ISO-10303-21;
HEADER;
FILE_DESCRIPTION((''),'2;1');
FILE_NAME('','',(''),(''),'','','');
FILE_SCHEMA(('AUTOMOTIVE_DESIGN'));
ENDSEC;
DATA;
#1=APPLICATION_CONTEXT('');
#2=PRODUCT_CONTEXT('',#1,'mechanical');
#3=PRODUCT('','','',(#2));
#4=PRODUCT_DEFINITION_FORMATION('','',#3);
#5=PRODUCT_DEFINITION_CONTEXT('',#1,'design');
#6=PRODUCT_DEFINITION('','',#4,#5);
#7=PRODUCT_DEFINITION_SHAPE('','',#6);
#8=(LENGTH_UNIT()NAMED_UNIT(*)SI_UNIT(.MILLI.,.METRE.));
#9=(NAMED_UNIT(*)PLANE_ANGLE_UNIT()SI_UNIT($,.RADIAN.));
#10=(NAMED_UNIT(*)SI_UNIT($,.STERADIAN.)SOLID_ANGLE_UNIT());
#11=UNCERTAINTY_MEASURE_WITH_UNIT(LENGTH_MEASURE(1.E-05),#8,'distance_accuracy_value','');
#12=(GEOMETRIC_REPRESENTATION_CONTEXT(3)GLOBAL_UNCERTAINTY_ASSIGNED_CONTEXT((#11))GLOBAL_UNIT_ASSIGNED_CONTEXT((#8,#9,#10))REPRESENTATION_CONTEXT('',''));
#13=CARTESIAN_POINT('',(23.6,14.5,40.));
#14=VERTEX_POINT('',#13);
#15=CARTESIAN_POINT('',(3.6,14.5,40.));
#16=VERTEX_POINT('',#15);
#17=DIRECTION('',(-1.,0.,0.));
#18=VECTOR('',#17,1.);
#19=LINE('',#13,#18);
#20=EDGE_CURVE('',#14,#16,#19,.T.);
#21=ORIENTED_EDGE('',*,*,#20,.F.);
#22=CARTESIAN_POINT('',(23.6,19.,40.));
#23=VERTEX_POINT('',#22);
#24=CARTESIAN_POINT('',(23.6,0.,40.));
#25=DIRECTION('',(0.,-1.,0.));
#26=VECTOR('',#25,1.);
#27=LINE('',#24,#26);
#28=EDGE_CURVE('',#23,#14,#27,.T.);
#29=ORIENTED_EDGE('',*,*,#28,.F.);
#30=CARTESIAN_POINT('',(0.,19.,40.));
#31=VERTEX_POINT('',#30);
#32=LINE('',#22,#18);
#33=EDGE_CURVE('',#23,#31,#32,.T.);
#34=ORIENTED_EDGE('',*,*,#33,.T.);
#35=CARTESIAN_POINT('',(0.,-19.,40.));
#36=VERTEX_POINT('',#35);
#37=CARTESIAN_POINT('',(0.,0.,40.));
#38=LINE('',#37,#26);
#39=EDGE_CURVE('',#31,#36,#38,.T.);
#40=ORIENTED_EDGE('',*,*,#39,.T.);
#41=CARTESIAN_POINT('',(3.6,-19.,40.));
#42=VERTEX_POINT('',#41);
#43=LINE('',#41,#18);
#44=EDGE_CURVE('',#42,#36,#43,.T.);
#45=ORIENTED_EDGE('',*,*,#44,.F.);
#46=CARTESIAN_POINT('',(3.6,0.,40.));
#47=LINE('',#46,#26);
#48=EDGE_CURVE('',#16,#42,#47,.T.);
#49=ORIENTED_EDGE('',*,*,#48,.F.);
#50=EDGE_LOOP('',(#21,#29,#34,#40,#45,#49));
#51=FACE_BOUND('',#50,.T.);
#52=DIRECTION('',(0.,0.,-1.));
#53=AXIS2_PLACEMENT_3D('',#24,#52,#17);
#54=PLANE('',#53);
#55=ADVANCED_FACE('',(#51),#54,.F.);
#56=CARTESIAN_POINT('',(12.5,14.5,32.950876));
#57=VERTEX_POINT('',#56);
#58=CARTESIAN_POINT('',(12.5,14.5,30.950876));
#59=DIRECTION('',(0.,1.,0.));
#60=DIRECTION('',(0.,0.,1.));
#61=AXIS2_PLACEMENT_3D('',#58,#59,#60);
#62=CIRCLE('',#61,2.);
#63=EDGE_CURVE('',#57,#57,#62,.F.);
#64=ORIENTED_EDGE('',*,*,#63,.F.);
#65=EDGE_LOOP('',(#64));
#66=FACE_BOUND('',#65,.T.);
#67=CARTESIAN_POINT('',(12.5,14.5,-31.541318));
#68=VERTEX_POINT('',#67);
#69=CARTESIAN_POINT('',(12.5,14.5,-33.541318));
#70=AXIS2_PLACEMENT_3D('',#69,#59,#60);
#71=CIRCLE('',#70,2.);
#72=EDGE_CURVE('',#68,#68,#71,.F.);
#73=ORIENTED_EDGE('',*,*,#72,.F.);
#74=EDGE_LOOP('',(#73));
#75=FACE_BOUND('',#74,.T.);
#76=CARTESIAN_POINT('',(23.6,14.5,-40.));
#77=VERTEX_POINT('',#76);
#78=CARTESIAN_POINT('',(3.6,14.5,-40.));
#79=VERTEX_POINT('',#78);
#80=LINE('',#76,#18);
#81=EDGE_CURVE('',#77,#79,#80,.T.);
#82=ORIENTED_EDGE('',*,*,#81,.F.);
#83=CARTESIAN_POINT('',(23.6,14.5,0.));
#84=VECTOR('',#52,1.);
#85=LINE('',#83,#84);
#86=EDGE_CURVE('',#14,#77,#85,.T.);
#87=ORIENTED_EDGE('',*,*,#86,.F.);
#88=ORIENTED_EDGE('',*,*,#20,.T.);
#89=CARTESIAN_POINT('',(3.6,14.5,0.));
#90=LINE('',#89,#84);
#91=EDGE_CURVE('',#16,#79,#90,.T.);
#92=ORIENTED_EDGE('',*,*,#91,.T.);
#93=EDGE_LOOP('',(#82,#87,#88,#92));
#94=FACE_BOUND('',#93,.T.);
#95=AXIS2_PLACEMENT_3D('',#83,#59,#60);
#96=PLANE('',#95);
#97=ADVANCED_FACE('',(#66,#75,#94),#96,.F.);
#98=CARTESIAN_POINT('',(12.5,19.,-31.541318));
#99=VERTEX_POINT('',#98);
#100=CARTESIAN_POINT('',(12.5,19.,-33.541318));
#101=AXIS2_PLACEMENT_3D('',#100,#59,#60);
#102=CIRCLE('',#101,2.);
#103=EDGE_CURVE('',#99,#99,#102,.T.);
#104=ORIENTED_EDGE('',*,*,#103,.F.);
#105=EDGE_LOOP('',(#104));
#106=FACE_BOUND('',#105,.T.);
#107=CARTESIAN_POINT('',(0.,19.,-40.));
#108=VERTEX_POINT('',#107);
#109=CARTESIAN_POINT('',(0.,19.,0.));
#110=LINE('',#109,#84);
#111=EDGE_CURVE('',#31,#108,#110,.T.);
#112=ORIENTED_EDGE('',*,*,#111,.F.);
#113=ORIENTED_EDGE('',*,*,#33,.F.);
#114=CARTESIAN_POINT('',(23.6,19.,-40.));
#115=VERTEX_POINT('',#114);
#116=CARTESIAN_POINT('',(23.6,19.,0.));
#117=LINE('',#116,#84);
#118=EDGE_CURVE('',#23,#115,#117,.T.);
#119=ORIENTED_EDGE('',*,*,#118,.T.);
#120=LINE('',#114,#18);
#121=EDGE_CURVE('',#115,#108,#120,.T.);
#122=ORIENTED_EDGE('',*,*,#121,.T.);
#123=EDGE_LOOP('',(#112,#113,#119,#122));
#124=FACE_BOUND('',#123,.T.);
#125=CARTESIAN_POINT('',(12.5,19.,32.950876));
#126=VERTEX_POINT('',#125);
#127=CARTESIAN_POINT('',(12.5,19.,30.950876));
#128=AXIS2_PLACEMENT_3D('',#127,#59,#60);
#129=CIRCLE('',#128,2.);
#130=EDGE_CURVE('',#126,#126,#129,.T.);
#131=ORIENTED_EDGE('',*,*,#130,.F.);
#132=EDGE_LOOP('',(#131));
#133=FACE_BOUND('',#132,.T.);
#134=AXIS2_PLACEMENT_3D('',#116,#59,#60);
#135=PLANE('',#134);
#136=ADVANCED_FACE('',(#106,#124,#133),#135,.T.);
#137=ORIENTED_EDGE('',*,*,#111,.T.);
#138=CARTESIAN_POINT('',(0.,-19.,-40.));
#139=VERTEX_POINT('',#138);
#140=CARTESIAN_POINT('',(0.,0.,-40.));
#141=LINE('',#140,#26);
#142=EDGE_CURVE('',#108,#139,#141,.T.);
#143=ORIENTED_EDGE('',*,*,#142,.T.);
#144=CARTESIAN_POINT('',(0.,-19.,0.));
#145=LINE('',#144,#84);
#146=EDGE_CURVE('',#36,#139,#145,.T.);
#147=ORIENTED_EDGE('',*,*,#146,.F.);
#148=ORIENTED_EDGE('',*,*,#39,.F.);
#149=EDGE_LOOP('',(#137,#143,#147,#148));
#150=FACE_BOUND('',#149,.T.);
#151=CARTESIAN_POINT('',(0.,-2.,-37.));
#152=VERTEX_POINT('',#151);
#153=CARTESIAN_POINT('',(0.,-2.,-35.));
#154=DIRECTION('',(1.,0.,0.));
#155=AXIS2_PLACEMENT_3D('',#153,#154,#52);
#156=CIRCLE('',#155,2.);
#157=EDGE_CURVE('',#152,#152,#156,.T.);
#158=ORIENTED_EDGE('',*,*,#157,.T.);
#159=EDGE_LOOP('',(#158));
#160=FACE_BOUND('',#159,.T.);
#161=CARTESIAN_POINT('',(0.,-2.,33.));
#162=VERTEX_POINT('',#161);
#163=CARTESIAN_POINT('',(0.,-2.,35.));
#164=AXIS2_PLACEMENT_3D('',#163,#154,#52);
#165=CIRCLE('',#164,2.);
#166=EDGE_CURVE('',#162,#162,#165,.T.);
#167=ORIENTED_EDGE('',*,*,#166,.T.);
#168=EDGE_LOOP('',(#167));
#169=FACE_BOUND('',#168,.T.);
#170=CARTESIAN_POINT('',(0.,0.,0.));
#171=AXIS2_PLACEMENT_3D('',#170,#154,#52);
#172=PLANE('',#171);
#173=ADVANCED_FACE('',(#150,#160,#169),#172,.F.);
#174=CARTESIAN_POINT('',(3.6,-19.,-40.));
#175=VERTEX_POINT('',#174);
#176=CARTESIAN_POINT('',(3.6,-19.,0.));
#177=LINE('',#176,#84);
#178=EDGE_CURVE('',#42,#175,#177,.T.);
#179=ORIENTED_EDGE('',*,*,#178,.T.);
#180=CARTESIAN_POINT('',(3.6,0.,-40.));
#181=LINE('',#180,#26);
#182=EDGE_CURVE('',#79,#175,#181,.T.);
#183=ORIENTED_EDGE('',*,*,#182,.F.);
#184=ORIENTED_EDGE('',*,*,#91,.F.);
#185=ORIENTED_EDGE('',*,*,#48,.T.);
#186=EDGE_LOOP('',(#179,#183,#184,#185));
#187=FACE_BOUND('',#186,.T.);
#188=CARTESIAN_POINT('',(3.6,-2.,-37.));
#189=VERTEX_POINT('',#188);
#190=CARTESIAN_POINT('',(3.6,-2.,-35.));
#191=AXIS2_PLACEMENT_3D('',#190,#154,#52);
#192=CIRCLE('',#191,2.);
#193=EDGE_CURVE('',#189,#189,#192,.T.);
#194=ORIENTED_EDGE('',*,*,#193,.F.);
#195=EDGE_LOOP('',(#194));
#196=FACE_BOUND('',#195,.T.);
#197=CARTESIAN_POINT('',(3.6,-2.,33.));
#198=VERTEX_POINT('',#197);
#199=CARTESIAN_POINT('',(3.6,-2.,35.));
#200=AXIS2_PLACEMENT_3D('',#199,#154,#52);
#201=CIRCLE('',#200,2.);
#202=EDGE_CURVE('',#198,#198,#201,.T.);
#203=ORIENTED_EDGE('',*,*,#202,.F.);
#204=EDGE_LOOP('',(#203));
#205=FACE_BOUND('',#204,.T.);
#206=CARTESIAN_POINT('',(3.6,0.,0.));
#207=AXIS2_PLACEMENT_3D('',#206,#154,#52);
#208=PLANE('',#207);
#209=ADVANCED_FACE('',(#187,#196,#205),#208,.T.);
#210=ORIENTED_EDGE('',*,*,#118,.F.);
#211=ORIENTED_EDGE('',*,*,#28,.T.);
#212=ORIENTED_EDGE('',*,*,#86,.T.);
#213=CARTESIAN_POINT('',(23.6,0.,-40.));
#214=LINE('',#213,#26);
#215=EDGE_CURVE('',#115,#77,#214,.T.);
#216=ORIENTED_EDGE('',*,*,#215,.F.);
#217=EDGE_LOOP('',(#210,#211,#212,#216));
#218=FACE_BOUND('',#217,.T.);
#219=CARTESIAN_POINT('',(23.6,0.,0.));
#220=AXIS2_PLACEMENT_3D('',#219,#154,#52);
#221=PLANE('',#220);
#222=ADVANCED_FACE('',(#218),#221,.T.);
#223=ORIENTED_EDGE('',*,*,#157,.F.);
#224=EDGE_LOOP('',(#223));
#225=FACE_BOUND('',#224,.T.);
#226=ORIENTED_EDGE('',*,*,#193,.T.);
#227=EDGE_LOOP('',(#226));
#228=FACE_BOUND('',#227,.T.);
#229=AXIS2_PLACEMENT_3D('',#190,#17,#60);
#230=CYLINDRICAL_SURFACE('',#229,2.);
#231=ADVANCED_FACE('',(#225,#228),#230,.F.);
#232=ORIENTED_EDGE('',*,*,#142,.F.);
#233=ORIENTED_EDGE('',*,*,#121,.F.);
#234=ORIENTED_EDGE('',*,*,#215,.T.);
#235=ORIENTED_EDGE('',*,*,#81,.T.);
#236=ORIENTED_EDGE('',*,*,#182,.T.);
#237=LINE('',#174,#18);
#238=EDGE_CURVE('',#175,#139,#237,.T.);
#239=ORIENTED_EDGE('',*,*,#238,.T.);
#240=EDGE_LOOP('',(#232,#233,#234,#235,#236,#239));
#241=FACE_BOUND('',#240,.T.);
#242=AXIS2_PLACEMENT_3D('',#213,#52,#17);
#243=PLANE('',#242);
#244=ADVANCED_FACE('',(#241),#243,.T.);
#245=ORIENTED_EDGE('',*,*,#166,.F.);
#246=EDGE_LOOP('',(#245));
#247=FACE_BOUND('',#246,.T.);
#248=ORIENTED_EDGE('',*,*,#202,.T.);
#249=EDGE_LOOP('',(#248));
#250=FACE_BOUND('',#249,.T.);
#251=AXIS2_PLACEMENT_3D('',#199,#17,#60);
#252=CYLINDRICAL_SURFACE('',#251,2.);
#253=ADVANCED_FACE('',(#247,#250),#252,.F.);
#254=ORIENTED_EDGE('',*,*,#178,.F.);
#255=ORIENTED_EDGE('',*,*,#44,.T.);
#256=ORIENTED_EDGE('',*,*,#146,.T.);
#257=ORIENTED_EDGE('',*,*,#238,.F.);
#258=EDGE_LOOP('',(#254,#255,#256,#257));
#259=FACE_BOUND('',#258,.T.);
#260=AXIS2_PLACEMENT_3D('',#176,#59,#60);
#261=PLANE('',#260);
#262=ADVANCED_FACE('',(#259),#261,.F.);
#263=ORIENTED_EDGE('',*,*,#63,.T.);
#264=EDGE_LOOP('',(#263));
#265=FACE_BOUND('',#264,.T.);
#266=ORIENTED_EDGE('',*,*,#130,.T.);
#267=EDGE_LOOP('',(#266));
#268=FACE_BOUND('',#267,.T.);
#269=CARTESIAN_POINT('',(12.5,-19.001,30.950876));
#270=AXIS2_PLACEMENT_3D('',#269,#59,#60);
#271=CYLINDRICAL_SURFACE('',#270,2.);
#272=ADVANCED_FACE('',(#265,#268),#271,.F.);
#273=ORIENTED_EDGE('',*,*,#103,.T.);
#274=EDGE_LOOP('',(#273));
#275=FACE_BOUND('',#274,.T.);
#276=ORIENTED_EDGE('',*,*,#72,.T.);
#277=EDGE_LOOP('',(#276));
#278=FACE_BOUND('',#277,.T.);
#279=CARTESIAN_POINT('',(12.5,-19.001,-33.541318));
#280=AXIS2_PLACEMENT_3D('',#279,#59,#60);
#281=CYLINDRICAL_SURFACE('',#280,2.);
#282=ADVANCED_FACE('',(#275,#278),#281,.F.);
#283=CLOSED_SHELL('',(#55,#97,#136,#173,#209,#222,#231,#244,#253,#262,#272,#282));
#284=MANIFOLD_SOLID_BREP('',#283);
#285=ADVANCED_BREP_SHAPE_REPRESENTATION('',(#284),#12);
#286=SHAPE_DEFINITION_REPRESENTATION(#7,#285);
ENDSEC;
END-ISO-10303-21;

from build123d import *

# Parameters (mm, degrees)
SKETCH1_W           = 80
SKETCH1_H           = 4.5
BOSS_EXTRUDE1_DEPTH = 23.6
SKETCH1_4_W         = 80
SKETCH1_4_H         = 33.5
SKETCH1_4_R         = 2
BOSS_EXTRUDE2_DEPTH = 3.6
CUT_EXTRUDE1_REACH  = 62.008
SKETCH2_R           = 2


with BuildPart() as part:
    # Sketch1 → Boss-Extrude1 (new body)
    with BuildSketch(Plane(origin=(0, 0, 0), x_dir=(0, 0, -1), z_dir=(1, 0, 0))):
        with Locations((0, 16.75)):
            Rectangle(SKETCH1_W, SKETCH1_H)
    extrude(amount=BOSS_EXTRUDE1_DEPTH)

    # Sketch1<4> → Boss-Extrude2 (add)
    with BuildSketch(Plane(origin=(0, 0, 0), x_dir=(0, 0, -1), z_dir=(1, 0, 0))):
        with Locations((0, -2.25)):
            Rectangle(SKETCH1_4_W, SKETCH1_4_H)
        with Locations((-35, -2)):
            Circle(SKETCH1_4_R, mode=Mode.SUBTRACT)
        with Locations((35, -2)):
            Circle(SKETCH1_4_R, mode=Mode.SUBTRACT)
    extrude(amount=BOSS_EXTRUDE2_DEPTH)

    # Sketch2 → Cut-Extrude1 (cut, up to next)
    with BuildSketch(Plane(origin=(0, 19, 0), x_dir=(1, 0, 0), z_dir=(0, 1, 0)), mode=Mode.PRIVATE) as cut_extrude1_sk1:
        with Locations((12.5, 33.54131816)):
            Circle(SKETCH2_R)
    cut_extrude1_tool1 = extrude(cut_extrude1_sk1.sketch, amount=-CUT_EXTRUDE1_REACH, mode=Mode.PRIVATE) & part.part
    # Sketch2 → Cut-Extrude1 (cut, up to next)
    with BuildSketch(Plane(origin=(0, 19, 0), x_dir=(1, 0, 0), z_dir=(0, 1, 0)), mode=Mode.PRIVATE) as cut_extrude1_sk2:
        with Locations((12.5, -30.950875555)):
            Circle(SKETCH2_R)
    cut_extrude1_tool2 = extrude(cut_extrude1_sk2.sketch, amount=-CUT_EXTRUDE1_REACH, mode=Mode.PRIVATE) & part.part
    add(cut_extrude1_tool1.solids().sort_by_distance((12.5, 19, -33.541318))[0], mode=Mode.SUBTRACT)
    add(cut_extrude1_tool2.solids().sort_by_distance((12.5, 19, 30.950876))[0], mode=Mode.SUBTRACT)


solid = part.part
